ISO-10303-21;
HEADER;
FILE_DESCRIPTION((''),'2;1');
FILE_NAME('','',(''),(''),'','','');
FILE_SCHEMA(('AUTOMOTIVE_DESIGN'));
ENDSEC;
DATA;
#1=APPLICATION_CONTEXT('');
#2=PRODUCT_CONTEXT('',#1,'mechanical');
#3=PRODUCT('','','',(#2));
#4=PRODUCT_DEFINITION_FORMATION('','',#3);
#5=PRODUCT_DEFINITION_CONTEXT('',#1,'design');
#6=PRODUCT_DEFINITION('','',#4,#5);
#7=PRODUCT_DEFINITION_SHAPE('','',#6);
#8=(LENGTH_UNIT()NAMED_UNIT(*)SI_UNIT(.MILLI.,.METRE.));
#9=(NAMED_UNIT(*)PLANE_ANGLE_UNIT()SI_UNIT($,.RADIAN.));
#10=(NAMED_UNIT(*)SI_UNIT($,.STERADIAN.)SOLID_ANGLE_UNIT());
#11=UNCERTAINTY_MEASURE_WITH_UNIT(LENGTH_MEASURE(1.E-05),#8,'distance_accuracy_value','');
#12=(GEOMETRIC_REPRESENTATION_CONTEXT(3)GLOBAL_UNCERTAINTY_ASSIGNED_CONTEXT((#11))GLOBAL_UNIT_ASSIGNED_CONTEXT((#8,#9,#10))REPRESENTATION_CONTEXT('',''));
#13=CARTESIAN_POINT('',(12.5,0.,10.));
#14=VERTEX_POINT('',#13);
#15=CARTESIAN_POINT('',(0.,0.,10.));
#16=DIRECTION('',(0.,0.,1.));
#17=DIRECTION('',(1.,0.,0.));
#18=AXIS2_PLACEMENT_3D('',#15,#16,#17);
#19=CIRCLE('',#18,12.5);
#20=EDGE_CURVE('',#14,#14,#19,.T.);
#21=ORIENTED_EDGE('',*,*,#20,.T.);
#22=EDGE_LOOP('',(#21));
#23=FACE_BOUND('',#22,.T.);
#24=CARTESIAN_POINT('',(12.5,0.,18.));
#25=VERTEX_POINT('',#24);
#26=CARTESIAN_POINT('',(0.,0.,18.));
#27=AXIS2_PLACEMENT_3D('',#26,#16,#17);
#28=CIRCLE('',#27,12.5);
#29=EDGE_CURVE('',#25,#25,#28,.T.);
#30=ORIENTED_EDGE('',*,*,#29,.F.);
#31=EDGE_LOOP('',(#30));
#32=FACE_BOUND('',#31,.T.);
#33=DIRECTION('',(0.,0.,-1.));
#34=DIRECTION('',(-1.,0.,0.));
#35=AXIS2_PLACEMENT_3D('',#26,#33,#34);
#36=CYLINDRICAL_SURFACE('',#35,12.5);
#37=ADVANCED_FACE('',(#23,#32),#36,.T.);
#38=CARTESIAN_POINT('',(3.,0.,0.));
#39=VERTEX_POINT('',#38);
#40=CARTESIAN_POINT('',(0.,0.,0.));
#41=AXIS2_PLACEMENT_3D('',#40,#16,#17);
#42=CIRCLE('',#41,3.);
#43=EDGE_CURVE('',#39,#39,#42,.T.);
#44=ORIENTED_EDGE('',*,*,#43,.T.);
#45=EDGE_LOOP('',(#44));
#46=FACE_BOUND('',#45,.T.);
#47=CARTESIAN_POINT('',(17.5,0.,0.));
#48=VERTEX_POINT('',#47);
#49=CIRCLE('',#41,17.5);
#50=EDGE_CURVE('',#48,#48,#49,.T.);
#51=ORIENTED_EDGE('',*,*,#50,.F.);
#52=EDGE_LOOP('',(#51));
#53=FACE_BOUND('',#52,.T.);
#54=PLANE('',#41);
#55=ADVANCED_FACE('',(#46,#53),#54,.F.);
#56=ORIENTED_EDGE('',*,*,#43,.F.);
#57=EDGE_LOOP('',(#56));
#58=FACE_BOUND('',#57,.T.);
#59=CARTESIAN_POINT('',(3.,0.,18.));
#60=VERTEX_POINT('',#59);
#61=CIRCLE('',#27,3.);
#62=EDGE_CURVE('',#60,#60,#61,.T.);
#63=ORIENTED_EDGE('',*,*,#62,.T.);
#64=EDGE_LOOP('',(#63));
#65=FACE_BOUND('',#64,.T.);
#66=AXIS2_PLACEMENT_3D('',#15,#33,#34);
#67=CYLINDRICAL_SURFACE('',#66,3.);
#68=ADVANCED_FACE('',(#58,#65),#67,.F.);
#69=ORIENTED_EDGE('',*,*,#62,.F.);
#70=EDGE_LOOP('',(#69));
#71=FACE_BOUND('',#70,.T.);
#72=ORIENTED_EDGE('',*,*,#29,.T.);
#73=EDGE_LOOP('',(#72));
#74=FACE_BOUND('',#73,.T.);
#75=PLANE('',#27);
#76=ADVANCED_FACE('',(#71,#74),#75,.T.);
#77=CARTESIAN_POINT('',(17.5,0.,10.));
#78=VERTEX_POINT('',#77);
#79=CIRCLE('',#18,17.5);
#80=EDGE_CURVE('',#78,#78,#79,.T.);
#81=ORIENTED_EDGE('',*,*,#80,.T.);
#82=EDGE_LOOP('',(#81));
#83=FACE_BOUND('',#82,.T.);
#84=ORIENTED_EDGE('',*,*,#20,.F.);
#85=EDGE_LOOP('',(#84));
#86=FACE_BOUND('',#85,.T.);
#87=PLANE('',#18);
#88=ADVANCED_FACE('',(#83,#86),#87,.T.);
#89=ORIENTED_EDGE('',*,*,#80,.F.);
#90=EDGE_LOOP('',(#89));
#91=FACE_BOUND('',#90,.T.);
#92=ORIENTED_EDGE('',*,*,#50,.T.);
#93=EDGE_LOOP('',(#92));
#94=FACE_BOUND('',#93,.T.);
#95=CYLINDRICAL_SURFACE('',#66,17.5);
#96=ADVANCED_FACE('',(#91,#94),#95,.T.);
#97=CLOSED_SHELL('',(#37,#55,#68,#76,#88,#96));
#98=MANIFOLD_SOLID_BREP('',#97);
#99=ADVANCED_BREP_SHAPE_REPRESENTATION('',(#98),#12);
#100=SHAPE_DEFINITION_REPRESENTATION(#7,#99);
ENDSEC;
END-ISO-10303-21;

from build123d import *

# Parameters (mm, degrees)
SKETCH_1_R      = 17.5
SKETCH_1_R_2    = 3
EXTRUDE_1_DEPTH = 10
SKETCH_2_R      = 12.5
SKETCH_2_R_2    = 3
EXTRUDE_2_DEPTH = 8


with BuildPart() as part:
    # 草图1 → 凸台-拉伸1 (new body)
    with BuildSketch(Plane.XY):
        Circle(SKETCH_1_R)
        Circle(SKETCH_1_R_2, mode=Mode.SUBTRACT)
    extrude(amount=EXTRUDE_1_DEPTH)

    # 草图2 → 凸台-拉伸2 (add)
    with BuildSketch(Plane.XY.offset(10)):
        Circle(SKETCH_2_R)
        Circle(SKETCH_2_R_2, mode=Mode.SUBTRACT)
    extrude(amount=EXTRUDE_2_DEPTH)


solid = part.part
